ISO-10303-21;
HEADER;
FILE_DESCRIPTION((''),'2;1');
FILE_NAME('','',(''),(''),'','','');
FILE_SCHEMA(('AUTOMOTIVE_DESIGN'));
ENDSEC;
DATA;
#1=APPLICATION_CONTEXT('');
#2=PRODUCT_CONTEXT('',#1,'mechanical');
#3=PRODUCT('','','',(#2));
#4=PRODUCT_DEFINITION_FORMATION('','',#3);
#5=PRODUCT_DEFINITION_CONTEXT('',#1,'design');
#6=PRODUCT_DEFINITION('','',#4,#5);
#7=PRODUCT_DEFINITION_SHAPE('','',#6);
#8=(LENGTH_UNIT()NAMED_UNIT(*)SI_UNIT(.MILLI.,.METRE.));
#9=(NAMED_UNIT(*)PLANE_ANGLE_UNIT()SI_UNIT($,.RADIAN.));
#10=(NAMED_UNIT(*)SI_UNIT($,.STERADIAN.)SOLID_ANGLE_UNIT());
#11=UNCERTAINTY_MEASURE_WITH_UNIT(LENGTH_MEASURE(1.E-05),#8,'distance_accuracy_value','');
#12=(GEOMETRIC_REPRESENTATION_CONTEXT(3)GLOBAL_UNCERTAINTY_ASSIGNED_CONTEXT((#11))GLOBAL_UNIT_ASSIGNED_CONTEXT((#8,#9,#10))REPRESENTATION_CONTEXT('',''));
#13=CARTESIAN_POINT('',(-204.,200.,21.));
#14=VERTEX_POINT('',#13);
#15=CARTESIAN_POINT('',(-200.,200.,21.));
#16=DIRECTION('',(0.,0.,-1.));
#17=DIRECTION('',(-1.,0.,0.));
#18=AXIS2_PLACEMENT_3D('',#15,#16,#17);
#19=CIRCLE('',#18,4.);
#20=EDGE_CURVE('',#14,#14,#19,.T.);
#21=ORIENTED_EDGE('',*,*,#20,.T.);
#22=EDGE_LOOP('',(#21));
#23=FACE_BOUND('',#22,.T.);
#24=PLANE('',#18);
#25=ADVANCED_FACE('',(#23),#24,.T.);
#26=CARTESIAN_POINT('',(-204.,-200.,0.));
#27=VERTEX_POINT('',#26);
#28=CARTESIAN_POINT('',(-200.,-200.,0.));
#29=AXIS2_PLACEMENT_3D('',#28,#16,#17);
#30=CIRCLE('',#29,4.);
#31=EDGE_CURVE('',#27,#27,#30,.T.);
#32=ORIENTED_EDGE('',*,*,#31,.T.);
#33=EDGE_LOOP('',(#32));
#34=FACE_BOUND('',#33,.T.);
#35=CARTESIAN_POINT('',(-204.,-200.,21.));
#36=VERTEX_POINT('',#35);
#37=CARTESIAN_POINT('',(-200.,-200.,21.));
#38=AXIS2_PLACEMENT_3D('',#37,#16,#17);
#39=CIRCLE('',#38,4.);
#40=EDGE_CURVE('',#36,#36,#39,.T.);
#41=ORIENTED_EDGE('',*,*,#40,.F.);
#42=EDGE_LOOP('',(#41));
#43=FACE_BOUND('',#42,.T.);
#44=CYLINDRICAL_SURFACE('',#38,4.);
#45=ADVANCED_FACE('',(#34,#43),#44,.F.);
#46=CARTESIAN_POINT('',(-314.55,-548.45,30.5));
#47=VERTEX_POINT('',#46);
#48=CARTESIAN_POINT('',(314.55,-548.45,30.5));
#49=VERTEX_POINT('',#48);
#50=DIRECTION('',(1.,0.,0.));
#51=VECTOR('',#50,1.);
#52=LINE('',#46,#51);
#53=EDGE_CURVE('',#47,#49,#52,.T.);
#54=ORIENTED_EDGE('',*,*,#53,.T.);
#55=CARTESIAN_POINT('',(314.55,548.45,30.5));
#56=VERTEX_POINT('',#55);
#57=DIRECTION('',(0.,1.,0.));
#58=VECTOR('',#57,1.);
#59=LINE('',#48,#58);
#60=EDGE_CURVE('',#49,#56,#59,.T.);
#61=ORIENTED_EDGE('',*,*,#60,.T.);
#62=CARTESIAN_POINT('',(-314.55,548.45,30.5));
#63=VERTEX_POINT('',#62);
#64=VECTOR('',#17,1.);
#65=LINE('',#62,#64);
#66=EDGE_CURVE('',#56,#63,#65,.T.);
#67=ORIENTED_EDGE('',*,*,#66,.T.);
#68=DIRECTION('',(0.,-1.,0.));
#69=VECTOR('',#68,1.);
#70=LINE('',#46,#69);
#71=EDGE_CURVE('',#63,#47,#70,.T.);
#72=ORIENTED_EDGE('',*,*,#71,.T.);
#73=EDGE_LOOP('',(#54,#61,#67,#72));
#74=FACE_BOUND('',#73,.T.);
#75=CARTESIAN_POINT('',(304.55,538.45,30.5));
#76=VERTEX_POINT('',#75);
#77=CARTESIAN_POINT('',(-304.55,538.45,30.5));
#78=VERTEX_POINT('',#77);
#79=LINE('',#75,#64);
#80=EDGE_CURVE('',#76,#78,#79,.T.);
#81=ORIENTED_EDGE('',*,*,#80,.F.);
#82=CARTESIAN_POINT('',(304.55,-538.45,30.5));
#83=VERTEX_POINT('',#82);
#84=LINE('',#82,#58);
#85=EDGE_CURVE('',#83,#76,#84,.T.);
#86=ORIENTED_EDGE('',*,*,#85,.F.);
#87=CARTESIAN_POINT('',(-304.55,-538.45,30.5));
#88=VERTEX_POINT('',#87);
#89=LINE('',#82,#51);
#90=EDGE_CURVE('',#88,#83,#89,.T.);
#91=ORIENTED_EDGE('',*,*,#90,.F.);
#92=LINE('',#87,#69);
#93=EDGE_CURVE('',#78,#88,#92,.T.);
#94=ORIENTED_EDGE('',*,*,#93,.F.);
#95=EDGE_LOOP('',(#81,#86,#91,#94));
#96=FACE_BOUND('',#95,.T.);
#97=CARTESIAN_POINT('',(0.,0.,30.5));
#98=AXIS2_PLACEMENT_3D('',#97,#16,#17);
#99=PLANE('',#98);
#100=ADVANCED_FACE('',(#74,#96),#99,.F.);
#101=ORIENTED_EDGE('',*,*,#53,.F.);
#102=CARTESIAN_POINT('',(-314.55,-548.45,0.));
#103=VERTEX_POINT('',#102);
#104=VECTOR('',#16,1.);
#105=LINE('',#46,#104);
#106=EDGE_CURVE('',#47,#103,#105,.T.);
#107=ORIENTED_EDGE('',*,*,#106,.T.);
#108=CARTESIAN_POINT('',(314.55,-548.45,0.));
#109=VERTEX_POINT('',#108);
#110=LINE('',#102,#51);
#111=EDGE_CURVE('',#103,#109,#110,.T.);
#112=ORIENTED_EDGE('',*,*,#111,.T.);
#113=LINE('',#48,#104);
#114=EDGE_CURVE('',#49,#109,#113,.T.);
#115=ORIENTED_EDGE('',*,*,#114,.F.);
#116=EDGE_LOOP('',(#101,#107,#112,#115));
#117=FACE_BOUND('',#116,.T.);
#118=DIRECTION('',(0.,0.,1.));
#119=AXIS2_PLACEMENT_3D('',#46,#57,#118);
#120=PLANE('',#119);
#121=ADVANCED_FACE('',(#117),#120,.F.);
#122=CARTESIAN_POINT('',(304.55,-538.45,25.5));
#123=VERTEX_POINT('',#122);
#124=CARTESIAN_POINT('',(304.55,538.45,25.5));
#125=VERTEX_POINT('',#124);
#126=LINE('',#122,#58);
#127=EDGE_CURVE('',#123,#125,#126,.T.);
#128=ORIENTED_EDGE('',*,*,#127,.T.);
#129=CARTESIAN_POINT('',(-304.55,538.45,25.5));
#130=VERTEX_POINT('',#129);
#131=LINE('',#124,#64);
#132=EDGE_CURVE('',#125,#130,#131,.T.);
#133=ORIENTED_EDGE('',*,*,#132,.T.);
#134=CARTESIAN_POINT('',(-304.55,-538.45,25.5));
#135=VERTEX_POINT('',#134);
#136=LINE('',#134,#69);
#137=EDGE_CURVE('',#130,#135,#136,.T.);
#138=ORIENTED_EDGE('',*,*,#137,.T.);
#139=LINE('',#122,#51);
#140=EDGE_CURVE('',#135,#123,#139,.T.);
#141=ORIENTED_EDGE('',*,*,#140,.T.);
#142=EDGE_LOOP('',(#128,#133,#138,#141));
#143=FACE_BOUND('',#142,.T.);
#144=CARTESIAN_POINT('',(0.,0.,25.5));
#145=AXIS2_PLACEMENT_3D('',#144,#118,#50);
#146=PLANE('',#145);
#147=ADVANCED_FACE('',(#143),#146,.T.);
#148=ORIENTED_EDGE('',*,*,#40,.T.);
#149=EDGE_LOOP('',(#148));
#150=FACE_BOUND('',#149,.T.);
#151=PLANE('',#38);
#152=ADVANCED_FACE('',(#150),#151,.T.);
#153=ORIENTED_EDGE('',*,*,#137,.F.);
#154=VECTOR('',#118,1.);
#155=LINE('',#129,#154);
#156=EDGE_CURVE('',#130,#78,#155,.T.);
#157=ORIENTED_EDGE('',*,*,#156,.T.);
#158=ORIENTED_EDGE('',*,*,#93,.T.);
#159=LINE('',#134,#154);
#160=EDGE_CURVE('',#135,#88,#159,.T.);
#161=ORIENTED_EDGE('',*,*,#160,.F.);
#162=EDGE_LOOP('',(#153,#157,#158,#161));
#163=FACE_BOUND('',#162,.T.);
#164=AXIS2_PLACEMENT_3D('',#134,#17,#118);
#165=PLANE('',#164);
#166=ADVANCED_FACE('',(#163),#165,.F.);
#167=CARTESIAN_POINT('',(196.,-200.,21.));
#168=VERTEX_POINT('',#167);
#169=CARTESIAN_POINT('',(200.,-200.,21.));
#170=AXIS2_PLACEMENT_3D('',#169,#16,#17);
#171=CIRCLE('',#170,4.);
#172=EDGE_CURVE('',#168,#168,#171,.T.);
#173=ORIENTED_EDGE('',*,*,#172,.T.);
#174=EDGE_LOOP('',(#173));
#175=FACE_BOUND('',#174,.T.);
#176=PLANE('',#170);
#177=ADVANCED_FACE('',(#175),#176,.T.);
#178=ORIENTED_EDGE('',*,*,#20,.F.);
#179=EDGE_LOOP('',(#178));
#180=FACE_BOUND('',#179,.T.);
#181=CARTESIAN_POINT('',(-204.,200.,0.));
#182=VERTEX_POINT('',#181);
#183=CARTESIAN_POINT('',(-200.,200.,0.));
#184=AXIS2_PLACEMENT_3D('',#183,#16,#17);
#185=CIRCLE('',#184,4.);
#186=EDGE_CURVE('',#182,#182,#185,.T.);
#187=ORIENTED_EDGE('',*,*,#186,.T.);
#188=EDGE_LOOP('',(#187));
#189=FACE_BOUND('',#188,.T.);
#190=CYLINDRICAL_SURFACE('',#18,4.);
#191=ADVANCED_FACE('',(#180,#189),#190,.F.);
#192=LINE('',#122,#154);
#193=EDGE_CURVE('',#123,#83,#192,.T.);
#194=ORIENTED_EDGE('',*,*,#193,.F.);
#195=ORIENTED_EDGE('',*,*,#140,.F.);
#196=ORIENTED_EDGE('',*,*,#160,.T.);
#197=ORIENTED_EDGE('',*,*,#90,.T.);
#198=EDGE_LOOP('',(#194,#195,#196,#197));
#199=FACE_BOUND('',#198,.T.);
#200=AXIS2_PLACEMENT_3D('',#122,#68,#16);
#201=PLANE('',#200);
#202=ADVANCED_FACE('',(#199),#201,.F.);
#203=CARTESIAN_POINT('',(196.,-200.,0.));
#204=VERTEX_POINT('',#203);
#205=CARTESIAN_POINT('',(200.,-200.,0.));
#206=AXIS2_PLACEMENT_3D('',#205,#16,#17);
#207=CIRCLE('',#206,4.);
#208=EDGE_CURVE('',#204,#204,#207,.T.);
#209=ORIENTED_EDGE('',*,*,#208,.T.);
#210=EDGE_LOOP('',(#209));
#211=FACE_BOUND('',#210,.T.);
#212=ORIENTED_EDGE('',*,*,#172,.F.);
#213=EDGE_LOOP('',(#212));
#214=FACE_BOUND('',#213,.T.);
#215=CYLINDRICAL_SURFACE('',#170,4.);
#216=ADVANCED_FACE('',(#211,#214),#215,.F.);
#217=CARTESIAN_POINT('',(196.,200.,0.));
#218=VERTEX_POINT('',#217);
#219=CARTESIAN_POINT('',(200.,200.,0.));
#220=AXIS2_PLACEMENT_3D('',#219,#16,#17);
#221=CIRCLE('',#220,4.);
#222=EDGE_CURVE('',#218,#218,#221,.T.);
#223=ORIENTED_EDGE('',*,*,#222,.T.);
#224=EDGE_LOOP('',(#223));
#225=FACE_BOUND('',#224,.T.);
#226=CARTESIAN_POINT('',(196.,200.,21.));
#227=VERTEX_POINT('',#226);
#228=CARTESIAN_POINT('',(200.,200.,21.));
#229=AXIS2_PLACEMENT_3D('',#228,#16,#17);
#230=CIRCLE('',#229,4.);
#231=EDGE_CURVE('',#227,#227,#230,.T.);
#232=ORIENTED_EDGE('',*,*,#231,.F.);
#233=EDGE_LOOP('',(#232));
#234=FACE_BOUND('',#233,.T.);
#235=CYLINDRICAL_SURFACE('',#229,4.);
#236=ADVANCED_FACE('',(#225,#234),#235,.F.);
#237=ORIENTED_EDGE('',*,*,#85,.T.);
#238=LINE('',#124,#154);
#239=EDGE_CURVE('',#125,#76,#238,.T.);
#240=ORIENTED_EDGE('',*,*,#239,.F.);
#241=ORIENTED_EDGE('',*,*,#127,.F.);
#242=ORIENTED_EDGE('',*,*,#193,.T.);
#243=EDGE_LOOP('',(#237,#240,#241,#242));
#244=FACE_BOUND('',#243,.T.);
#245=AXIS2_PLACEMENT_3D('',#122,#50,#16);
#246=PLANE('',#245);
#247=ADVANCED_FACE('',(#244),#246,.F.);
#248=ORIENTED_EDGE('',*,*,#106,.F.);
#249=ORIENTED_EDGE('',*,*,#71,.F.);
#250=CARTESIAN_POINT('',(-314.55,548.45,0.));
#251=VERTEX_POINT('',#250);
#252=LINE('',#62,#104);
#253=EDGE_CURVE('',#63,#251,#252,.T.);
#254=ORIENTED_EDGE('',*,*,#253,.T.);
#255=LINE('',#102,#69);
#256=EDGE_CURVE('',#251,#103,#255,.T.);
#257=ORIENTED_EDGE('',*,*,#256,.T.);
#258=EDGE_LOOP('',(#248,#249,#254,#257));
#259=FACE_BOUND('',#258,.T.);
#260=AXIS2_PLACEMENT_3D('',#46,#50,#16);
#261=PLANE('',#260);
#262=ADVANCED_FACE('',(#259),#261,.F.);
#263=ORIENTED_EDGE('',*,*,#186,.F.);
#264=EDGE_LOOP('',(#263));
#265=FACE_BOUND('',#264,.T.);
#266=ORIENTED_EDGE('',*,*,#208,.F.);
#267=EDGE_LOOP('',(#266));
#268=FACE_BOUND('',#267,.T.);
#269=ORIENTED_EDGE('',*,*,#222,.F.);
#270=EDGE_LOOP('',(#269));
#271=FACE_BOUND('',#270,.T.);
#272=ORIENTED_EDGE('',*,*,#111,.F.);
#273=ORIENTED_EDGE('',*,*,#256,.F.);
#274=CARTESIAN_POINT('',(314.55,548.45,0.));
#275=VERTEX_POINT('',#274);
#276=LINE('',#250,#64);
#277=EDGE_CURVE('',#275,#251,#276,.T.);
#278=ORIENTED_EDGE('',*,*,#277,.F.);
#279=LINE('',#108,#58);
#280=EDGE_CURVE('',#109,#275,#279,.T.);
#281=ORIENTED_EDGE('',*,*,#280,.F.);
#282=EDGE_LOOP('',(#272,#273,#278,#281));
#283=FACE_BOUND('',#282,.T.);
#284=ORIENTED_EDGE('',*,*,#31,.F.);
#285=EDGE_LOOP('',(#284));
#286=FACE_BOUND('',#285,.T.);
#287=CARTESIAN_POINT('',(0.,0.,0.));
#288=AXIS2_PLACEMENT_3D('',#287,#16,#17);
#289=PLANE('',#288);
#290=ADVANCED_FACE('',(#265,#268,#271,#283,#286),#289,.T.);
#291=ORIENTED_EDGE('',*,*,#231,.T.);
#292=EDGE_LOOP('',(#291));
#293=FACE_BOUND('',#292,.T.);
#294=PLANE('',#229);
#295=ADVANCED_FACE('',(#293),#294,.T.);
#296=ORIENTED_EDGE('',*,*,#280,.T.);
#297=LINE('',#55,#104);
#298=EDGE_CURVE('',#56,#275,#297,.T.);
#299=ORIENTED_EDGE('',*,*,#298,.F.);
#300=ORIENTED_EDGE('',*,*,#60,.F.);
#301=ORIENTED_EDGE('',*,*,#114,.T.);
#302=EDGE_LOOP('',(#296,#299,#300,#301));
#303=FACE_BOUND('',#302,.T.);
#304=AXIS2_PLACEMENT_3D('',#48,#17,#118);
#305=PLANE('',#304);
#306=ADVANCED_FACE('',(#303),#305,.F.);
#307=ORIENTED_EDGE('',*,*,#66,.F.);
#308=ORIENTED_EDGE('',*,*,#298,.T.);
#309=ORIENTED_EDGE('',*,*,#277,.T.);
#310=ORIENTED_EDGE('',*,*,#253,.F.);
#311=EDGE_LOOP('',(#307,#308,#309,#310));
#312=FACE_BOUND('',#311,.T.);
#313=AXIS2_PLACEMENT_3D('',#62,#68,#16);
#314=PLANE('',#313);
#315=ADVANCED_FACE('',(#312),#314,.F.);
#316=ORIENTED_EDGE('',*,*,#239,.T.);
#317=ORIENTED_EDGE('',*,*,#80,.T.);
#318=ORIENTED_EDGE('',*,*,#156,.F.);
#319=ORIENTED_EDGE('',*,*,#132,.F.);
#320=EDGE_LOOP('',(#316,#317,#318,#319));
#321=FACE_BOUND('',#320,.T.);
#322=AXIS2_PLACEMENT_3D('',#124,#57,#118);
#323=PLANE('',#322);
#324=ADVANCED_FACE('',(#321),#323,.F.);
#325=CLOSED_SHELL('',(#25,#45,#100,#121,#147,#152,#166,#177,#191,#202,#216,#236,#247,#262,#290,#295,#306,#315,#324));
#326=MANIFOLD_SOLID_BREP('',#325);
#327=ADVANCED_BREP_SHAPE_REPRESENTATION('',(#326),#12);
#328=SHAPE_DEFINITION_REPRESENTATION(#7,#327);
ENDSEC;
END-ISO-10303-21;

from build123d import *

# Parameters (mm, degrees)
SKETCH1_W           = 629.1
SKETCH1_H           = 1096.9
BOSS_EXTRUDE1_DEPTH = 30.5
SKETCH2_R           = 4
CUT_EXTRUDE1_DEPTH  = 21
SKETCH3_W           = 609.1
SKETCH3_H           = 1076.9
CUT_EXTRUDE2_DEPTH  = 5


with BuildPart() as part:
    # Sketch1 → Boss-Extrude1 (new body)
    with BuildSketch(Plane.XY):
        Rectangle(SKETCH1_W, SKETCH1_H)
    extrude(amount=BOSS_EXTRUDE1_DEPTH)

    # Sketch2 → Cut-Extrude1 (cut)
    with BuildSketch(Plane(origin=(0, 0, 0), x_dir=(-1, 0, 0), z_dir=(0, 0, -1))):
        with Locations((-200, 200)):
            Circle(SKETCH2_R)
        with Locations((200, 200)):
            Circle(SKETCH2_R)
        with Locations((200, -200)):
            Circle(SKETCH2_R)
        with Locations((-200, -200)):
            Circle(SKETCH2_R)
    extrude(amount=-CUT_EXTRUDE1_DEPTH, mode=Mode.SUBTRACT)

    # Sketch3 → Cut-Extrude2 (cut)
    with BuildSketch(Plane.XY.offset(30.5)):
        Rectangle(SKETCH3_W, SKETCH3_H)
    extrude(amount=-CUT_EXTRUDE2_DEPTH, mode=Mode.SUBTRACT)


solid = part.part
